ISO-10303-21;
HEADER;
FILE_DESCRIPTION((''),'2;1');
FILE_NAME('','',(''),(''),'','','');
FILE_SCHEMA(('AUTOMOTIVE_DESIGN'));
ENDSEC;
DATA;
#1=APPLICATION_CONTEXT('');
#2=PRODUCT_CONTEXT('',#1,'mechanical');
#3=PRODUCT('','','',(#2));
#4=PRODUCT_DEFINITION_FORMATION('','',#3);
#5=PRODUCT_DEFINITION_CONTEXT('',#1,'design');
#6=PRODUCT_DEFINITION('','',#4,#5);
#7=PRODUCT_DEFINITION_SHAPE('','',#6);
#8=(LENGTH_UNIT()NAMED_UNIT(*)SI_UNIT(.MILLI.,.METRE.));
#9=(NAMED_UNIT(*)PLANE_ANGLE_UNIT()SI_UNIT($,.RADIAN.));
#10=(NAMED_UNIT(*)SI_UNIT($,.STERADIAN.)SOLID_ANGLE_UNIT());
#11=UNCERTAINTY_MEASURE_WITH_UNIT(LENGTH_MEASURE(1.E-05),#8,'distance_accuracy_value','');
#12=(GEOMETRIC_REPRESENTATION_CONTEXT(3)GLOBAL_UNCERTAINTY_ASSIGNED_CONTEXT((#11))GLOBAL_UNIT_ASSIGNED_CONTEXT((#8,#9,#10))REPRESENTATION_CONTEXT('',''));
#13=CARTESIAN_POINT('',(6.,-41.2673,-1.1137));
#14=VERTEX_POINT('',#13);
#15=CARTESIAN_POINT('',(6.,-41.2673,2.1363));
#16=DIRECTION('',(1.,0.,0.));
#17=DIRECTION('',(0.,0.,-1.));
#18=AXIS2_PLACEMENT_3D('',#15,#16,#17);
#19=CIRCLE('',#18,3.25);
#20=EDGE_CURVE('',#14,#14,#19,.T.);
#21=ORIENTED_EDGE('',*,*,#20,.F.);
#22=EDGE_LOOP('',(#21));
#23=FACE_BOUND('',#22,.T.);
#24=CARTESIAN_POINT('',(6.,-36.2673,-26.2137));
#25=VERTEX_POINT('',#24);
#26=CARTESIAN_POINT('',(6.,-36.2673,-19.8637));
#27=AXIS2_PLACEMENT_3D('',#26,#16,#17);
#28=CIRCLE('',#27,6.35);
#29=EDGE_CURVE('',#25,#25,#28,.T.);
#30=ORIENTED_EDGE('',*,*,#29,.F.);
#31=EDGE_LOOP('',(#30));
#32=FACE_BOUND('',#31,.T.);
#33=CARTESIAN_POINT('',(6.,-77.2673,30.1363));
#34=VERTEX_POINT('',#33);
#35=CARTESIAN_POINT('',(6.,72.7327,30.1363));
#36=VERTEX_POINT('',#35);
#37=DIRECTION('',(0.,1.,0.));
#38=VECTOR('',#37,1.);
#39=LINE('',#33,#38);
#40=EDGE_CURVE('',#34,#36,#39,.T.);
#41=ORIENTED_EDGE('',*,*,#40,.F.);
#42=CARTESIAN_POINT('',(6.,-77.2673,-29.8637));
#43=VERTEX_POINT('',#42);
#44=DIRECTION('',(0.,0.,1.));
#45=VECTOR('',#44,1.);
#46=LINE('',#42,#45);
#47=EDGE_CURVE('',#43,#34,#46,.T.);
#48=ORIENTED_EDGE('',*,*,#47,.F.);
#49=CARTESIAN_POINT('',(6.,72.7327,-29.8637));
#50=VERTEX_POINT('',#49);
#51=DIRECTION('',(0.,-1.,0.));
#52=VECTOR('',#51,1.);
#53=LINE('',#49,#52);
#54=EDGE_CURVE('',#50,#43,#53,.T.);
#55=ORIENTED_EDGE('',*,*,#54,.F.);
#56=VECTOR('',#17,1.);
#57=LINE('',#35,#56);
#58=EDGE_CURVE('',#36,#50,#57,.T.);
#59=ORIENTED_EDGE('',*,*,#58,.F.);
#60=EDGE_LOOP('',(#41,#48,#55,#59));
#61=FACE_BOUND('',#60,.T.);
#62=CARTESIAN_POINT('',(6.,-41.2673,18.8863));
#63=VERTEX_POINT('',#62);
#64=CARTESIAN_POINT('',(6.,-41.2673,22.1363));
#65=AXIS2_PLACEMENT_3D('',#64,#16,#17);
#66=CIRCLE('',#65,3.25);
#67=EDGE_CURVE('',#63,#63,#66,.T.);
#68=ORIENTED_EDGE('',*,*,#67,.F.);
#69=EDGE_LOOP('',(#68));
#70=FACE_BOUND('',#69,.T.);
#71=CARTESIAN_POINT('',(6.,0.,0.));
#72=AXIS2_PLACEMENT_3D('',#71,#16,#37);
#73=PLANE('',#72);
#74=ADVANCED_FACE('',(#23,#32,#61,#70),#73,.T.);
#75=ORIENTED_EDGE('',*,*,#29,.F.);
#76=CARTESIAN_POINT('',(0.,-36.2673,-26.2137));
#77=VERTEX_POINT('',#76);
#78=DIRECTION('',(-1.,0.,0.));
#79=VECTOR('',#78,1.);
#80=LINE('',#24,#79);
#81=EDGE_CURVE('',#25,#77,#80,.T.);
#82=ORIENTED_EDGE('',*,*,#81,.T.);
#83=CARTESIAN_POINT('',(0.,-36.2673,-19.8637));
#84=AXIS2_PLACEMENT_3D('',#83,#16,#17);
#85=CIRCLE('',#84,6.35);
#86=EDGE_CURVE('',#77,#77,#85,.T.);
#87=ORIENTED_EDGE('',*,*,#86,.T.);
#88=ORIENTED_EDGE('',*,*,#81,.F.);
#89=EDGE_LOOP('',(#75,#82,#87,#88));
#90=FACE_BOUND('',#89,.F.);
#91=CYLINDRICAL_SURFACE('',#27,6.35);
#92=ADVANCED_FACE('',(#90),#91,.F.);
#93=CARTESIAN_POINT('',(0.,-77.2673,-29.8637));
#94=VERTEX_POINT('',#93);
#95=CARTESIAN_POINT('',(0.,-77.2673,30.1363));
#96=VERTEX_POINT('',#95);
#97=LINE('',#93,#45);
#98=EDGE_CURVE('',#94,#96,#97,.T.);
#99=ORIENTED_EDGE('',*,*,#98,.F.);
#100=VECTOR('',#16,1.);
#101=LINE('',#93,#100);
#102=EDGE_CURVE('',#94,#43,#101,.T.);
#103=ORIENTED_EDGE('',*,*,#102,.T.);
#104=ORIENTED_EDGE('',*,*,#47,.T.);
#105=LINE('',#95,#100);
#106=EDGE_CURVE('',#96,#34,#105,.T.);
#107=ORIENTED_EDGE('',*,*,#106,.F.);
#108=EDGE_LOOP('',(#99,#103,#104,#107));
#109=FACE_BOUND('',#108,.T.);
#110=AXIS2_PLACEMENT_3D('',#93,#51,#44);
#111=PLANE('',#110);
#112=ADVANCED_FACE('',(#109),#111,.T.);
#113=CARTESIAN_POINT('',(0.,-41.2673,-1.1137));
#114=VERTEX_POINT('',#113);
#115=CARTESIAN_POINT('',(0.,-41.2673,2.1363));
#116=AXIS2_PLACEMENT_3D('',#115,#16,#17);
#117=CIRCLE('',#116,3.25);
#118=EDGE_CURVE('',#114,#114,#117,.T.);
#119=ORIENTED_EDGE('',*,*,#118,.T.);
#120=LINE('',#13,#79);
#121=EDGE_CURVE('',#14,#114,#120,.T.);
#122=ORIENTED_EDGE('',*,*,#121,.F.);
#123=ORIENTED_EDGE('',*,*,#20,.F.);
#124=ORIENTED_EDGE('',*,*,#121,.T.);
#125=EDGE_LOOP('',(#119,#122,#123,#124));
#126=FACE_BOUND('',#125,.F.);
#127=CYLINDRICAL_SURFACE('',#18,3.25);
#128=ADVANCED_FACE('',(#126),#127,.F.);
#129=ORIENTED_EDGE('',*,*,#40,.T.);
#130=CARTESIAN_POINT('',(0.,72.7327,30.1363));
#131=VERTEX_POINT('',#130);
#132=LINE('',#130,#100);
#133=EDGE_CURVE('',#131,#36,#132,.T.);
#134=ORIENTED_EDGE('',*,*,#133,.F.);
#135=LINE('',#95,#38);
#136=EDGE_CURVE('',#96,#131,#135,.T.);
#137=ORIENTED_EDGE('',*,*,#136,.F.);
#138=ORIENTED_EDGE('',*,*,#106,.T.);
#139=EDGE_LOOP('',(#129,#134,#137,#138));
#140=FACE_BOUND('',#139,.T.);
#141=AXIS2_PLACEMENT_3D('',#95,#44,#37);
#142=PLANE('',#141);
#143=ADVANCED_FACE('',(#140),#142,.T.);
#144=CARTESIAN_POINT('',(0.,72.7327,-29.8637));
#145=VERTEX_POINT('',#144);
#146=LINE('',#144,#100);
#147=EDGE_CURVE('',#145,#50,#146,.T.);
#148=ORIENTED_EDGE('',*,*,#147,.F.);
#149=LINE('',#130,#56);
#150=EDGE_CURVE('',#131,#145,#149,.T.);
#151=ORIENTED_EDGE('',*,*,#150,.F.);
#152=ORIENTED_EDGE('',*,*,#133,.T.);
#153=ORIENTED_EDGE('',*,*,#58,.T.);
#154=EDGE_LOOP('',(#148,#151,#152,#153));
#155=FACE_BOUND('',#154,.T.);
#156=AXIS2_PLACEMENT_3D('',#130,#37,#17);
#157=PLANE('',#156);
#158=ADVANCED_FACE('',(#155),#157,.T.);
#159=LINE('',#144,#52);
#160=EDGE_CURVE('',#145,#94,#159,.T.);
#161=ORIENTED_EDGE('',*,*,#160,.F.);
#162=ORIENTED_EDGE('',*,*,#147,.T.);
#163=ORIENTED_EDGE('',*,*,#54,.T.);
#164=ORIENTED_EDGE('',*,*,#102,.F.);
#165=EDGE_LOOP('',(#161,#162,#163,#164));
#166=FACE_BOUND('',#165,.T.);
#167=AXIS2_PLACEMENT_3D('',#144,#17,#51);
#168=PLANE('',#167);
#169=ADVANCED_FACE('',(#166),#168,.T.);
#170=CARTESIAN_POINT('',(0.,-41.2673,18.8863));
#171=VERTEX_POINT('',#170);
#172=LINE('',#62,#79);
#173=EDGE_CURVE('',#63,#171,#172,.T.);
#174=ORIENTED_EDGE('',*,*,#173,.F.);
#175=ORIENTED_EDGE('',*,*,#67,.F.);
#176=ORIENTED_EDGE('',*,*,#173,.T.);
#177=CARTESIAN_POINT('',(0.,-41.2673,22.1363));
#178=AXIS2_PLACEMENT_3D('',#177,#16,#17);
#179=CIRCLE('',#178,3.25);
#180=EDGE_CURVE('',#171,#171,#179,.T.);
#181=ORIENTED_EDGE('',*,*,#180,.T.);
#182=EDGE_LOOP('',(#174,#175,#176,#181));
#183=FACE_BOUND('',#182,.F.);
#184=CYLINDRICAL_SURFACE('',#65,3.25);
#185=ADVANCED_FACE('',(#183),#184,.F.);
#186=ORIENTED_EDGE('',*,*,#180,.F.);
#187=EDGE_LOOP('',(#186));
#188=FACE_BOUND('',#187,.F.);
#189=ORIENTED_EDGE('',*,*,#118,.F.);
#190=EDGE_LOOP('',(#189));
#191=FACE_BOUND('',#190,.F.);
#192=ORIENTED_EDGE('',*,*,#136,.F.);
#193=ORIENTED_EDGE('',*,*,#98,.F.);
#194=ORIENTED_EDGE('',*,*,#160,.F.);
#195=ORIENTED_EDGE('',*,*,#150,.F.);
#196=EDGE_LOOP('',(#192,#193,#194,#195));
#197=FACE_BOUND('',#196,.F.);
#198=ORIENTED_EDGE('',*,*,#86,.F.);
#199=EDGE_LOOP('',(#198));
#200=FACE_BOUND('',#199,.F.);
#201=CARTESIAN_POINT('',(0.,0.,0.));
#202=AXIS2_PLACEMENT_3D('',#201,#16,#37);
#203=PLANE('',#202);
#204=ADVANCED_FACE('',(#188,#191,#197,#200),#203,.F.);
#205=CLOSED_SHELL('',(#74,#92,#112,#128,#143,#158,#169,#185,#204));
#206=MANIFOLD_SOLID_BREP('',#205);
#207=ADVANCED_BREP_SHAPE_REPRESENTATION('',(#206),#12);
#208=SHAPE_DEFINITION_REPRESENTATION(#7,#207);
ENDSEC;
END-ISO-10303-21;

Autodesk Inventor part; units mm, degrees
ref_plane "YZ Plane" through (0, 0, 0) normal (1, 0, 0) x (0, 1, 0)
ref_plane "XZ Plane" through (0, 0, 0) normal (0, 1, 0) x (-1, 0, 0)
ref_plane "XY Plane" through (0, 0, 0) normal (0, 0, 1) x (1, 0, 0)
sketch "Sketch1" plane through (0, 0, 0) normal (1, 0, 0) x (0, 1, 0)
  point P0 (0, 0)
sketch "Sketch2" plane through (0, 0, 0) normal (1, 0, 0) x (0, 1, 0)
  line L0 (72.7327, -29.8637) -> (-77.2673, -29.8637)
  line L1 (-77.2673, -29.8637) -> (-77.2673, 30.1363)
  line L2 (-77.2673, 30.1363) -> (72.7327, 30.1363)
  line L3 (72.7327, 30.1363) -> (72.7327, -29.8637)
  point P0 (0, 0)
  dimension "d0" = 150
  dimension "d1" = 60
extrude "Extrusion1" add sketch "Sketch2" along normal blind 6
sketch "Sketch3" plane through (6, 0, 0) normal (1, 0, 0) x (0, 0, -1)
  line L0 (-30.1363, -77.2673) -> (29.8637, -77.2673) projected
  circle A0 centre (-2.1363, -41.2673) radius 3.25
  circle A1 centre (-22.1363, -41.2673) radius 3.25
  circle A2 centre (19.8637, -36.2673) radius 6.35
  line L1 (29.8637, -77.2673) -> (29.8637, 72.7327) projected
  line L2 (-30.1363, 72.7327) -> (-30.1363, -77.2673) projected
  point P0 (0, 0)
  dimension "d5" = 6.5
  dimension "d6" = 6.5
  dimension "d7" = 12.7
  dimension "d8" = 32
  dimension "d9" = 20
  dimension "d10" = 50
  dimension "d13" = 41
extrude "Extrusion2" cut sketch "Sketch3" against normal blind 6
properties part number "Side_plate2"
